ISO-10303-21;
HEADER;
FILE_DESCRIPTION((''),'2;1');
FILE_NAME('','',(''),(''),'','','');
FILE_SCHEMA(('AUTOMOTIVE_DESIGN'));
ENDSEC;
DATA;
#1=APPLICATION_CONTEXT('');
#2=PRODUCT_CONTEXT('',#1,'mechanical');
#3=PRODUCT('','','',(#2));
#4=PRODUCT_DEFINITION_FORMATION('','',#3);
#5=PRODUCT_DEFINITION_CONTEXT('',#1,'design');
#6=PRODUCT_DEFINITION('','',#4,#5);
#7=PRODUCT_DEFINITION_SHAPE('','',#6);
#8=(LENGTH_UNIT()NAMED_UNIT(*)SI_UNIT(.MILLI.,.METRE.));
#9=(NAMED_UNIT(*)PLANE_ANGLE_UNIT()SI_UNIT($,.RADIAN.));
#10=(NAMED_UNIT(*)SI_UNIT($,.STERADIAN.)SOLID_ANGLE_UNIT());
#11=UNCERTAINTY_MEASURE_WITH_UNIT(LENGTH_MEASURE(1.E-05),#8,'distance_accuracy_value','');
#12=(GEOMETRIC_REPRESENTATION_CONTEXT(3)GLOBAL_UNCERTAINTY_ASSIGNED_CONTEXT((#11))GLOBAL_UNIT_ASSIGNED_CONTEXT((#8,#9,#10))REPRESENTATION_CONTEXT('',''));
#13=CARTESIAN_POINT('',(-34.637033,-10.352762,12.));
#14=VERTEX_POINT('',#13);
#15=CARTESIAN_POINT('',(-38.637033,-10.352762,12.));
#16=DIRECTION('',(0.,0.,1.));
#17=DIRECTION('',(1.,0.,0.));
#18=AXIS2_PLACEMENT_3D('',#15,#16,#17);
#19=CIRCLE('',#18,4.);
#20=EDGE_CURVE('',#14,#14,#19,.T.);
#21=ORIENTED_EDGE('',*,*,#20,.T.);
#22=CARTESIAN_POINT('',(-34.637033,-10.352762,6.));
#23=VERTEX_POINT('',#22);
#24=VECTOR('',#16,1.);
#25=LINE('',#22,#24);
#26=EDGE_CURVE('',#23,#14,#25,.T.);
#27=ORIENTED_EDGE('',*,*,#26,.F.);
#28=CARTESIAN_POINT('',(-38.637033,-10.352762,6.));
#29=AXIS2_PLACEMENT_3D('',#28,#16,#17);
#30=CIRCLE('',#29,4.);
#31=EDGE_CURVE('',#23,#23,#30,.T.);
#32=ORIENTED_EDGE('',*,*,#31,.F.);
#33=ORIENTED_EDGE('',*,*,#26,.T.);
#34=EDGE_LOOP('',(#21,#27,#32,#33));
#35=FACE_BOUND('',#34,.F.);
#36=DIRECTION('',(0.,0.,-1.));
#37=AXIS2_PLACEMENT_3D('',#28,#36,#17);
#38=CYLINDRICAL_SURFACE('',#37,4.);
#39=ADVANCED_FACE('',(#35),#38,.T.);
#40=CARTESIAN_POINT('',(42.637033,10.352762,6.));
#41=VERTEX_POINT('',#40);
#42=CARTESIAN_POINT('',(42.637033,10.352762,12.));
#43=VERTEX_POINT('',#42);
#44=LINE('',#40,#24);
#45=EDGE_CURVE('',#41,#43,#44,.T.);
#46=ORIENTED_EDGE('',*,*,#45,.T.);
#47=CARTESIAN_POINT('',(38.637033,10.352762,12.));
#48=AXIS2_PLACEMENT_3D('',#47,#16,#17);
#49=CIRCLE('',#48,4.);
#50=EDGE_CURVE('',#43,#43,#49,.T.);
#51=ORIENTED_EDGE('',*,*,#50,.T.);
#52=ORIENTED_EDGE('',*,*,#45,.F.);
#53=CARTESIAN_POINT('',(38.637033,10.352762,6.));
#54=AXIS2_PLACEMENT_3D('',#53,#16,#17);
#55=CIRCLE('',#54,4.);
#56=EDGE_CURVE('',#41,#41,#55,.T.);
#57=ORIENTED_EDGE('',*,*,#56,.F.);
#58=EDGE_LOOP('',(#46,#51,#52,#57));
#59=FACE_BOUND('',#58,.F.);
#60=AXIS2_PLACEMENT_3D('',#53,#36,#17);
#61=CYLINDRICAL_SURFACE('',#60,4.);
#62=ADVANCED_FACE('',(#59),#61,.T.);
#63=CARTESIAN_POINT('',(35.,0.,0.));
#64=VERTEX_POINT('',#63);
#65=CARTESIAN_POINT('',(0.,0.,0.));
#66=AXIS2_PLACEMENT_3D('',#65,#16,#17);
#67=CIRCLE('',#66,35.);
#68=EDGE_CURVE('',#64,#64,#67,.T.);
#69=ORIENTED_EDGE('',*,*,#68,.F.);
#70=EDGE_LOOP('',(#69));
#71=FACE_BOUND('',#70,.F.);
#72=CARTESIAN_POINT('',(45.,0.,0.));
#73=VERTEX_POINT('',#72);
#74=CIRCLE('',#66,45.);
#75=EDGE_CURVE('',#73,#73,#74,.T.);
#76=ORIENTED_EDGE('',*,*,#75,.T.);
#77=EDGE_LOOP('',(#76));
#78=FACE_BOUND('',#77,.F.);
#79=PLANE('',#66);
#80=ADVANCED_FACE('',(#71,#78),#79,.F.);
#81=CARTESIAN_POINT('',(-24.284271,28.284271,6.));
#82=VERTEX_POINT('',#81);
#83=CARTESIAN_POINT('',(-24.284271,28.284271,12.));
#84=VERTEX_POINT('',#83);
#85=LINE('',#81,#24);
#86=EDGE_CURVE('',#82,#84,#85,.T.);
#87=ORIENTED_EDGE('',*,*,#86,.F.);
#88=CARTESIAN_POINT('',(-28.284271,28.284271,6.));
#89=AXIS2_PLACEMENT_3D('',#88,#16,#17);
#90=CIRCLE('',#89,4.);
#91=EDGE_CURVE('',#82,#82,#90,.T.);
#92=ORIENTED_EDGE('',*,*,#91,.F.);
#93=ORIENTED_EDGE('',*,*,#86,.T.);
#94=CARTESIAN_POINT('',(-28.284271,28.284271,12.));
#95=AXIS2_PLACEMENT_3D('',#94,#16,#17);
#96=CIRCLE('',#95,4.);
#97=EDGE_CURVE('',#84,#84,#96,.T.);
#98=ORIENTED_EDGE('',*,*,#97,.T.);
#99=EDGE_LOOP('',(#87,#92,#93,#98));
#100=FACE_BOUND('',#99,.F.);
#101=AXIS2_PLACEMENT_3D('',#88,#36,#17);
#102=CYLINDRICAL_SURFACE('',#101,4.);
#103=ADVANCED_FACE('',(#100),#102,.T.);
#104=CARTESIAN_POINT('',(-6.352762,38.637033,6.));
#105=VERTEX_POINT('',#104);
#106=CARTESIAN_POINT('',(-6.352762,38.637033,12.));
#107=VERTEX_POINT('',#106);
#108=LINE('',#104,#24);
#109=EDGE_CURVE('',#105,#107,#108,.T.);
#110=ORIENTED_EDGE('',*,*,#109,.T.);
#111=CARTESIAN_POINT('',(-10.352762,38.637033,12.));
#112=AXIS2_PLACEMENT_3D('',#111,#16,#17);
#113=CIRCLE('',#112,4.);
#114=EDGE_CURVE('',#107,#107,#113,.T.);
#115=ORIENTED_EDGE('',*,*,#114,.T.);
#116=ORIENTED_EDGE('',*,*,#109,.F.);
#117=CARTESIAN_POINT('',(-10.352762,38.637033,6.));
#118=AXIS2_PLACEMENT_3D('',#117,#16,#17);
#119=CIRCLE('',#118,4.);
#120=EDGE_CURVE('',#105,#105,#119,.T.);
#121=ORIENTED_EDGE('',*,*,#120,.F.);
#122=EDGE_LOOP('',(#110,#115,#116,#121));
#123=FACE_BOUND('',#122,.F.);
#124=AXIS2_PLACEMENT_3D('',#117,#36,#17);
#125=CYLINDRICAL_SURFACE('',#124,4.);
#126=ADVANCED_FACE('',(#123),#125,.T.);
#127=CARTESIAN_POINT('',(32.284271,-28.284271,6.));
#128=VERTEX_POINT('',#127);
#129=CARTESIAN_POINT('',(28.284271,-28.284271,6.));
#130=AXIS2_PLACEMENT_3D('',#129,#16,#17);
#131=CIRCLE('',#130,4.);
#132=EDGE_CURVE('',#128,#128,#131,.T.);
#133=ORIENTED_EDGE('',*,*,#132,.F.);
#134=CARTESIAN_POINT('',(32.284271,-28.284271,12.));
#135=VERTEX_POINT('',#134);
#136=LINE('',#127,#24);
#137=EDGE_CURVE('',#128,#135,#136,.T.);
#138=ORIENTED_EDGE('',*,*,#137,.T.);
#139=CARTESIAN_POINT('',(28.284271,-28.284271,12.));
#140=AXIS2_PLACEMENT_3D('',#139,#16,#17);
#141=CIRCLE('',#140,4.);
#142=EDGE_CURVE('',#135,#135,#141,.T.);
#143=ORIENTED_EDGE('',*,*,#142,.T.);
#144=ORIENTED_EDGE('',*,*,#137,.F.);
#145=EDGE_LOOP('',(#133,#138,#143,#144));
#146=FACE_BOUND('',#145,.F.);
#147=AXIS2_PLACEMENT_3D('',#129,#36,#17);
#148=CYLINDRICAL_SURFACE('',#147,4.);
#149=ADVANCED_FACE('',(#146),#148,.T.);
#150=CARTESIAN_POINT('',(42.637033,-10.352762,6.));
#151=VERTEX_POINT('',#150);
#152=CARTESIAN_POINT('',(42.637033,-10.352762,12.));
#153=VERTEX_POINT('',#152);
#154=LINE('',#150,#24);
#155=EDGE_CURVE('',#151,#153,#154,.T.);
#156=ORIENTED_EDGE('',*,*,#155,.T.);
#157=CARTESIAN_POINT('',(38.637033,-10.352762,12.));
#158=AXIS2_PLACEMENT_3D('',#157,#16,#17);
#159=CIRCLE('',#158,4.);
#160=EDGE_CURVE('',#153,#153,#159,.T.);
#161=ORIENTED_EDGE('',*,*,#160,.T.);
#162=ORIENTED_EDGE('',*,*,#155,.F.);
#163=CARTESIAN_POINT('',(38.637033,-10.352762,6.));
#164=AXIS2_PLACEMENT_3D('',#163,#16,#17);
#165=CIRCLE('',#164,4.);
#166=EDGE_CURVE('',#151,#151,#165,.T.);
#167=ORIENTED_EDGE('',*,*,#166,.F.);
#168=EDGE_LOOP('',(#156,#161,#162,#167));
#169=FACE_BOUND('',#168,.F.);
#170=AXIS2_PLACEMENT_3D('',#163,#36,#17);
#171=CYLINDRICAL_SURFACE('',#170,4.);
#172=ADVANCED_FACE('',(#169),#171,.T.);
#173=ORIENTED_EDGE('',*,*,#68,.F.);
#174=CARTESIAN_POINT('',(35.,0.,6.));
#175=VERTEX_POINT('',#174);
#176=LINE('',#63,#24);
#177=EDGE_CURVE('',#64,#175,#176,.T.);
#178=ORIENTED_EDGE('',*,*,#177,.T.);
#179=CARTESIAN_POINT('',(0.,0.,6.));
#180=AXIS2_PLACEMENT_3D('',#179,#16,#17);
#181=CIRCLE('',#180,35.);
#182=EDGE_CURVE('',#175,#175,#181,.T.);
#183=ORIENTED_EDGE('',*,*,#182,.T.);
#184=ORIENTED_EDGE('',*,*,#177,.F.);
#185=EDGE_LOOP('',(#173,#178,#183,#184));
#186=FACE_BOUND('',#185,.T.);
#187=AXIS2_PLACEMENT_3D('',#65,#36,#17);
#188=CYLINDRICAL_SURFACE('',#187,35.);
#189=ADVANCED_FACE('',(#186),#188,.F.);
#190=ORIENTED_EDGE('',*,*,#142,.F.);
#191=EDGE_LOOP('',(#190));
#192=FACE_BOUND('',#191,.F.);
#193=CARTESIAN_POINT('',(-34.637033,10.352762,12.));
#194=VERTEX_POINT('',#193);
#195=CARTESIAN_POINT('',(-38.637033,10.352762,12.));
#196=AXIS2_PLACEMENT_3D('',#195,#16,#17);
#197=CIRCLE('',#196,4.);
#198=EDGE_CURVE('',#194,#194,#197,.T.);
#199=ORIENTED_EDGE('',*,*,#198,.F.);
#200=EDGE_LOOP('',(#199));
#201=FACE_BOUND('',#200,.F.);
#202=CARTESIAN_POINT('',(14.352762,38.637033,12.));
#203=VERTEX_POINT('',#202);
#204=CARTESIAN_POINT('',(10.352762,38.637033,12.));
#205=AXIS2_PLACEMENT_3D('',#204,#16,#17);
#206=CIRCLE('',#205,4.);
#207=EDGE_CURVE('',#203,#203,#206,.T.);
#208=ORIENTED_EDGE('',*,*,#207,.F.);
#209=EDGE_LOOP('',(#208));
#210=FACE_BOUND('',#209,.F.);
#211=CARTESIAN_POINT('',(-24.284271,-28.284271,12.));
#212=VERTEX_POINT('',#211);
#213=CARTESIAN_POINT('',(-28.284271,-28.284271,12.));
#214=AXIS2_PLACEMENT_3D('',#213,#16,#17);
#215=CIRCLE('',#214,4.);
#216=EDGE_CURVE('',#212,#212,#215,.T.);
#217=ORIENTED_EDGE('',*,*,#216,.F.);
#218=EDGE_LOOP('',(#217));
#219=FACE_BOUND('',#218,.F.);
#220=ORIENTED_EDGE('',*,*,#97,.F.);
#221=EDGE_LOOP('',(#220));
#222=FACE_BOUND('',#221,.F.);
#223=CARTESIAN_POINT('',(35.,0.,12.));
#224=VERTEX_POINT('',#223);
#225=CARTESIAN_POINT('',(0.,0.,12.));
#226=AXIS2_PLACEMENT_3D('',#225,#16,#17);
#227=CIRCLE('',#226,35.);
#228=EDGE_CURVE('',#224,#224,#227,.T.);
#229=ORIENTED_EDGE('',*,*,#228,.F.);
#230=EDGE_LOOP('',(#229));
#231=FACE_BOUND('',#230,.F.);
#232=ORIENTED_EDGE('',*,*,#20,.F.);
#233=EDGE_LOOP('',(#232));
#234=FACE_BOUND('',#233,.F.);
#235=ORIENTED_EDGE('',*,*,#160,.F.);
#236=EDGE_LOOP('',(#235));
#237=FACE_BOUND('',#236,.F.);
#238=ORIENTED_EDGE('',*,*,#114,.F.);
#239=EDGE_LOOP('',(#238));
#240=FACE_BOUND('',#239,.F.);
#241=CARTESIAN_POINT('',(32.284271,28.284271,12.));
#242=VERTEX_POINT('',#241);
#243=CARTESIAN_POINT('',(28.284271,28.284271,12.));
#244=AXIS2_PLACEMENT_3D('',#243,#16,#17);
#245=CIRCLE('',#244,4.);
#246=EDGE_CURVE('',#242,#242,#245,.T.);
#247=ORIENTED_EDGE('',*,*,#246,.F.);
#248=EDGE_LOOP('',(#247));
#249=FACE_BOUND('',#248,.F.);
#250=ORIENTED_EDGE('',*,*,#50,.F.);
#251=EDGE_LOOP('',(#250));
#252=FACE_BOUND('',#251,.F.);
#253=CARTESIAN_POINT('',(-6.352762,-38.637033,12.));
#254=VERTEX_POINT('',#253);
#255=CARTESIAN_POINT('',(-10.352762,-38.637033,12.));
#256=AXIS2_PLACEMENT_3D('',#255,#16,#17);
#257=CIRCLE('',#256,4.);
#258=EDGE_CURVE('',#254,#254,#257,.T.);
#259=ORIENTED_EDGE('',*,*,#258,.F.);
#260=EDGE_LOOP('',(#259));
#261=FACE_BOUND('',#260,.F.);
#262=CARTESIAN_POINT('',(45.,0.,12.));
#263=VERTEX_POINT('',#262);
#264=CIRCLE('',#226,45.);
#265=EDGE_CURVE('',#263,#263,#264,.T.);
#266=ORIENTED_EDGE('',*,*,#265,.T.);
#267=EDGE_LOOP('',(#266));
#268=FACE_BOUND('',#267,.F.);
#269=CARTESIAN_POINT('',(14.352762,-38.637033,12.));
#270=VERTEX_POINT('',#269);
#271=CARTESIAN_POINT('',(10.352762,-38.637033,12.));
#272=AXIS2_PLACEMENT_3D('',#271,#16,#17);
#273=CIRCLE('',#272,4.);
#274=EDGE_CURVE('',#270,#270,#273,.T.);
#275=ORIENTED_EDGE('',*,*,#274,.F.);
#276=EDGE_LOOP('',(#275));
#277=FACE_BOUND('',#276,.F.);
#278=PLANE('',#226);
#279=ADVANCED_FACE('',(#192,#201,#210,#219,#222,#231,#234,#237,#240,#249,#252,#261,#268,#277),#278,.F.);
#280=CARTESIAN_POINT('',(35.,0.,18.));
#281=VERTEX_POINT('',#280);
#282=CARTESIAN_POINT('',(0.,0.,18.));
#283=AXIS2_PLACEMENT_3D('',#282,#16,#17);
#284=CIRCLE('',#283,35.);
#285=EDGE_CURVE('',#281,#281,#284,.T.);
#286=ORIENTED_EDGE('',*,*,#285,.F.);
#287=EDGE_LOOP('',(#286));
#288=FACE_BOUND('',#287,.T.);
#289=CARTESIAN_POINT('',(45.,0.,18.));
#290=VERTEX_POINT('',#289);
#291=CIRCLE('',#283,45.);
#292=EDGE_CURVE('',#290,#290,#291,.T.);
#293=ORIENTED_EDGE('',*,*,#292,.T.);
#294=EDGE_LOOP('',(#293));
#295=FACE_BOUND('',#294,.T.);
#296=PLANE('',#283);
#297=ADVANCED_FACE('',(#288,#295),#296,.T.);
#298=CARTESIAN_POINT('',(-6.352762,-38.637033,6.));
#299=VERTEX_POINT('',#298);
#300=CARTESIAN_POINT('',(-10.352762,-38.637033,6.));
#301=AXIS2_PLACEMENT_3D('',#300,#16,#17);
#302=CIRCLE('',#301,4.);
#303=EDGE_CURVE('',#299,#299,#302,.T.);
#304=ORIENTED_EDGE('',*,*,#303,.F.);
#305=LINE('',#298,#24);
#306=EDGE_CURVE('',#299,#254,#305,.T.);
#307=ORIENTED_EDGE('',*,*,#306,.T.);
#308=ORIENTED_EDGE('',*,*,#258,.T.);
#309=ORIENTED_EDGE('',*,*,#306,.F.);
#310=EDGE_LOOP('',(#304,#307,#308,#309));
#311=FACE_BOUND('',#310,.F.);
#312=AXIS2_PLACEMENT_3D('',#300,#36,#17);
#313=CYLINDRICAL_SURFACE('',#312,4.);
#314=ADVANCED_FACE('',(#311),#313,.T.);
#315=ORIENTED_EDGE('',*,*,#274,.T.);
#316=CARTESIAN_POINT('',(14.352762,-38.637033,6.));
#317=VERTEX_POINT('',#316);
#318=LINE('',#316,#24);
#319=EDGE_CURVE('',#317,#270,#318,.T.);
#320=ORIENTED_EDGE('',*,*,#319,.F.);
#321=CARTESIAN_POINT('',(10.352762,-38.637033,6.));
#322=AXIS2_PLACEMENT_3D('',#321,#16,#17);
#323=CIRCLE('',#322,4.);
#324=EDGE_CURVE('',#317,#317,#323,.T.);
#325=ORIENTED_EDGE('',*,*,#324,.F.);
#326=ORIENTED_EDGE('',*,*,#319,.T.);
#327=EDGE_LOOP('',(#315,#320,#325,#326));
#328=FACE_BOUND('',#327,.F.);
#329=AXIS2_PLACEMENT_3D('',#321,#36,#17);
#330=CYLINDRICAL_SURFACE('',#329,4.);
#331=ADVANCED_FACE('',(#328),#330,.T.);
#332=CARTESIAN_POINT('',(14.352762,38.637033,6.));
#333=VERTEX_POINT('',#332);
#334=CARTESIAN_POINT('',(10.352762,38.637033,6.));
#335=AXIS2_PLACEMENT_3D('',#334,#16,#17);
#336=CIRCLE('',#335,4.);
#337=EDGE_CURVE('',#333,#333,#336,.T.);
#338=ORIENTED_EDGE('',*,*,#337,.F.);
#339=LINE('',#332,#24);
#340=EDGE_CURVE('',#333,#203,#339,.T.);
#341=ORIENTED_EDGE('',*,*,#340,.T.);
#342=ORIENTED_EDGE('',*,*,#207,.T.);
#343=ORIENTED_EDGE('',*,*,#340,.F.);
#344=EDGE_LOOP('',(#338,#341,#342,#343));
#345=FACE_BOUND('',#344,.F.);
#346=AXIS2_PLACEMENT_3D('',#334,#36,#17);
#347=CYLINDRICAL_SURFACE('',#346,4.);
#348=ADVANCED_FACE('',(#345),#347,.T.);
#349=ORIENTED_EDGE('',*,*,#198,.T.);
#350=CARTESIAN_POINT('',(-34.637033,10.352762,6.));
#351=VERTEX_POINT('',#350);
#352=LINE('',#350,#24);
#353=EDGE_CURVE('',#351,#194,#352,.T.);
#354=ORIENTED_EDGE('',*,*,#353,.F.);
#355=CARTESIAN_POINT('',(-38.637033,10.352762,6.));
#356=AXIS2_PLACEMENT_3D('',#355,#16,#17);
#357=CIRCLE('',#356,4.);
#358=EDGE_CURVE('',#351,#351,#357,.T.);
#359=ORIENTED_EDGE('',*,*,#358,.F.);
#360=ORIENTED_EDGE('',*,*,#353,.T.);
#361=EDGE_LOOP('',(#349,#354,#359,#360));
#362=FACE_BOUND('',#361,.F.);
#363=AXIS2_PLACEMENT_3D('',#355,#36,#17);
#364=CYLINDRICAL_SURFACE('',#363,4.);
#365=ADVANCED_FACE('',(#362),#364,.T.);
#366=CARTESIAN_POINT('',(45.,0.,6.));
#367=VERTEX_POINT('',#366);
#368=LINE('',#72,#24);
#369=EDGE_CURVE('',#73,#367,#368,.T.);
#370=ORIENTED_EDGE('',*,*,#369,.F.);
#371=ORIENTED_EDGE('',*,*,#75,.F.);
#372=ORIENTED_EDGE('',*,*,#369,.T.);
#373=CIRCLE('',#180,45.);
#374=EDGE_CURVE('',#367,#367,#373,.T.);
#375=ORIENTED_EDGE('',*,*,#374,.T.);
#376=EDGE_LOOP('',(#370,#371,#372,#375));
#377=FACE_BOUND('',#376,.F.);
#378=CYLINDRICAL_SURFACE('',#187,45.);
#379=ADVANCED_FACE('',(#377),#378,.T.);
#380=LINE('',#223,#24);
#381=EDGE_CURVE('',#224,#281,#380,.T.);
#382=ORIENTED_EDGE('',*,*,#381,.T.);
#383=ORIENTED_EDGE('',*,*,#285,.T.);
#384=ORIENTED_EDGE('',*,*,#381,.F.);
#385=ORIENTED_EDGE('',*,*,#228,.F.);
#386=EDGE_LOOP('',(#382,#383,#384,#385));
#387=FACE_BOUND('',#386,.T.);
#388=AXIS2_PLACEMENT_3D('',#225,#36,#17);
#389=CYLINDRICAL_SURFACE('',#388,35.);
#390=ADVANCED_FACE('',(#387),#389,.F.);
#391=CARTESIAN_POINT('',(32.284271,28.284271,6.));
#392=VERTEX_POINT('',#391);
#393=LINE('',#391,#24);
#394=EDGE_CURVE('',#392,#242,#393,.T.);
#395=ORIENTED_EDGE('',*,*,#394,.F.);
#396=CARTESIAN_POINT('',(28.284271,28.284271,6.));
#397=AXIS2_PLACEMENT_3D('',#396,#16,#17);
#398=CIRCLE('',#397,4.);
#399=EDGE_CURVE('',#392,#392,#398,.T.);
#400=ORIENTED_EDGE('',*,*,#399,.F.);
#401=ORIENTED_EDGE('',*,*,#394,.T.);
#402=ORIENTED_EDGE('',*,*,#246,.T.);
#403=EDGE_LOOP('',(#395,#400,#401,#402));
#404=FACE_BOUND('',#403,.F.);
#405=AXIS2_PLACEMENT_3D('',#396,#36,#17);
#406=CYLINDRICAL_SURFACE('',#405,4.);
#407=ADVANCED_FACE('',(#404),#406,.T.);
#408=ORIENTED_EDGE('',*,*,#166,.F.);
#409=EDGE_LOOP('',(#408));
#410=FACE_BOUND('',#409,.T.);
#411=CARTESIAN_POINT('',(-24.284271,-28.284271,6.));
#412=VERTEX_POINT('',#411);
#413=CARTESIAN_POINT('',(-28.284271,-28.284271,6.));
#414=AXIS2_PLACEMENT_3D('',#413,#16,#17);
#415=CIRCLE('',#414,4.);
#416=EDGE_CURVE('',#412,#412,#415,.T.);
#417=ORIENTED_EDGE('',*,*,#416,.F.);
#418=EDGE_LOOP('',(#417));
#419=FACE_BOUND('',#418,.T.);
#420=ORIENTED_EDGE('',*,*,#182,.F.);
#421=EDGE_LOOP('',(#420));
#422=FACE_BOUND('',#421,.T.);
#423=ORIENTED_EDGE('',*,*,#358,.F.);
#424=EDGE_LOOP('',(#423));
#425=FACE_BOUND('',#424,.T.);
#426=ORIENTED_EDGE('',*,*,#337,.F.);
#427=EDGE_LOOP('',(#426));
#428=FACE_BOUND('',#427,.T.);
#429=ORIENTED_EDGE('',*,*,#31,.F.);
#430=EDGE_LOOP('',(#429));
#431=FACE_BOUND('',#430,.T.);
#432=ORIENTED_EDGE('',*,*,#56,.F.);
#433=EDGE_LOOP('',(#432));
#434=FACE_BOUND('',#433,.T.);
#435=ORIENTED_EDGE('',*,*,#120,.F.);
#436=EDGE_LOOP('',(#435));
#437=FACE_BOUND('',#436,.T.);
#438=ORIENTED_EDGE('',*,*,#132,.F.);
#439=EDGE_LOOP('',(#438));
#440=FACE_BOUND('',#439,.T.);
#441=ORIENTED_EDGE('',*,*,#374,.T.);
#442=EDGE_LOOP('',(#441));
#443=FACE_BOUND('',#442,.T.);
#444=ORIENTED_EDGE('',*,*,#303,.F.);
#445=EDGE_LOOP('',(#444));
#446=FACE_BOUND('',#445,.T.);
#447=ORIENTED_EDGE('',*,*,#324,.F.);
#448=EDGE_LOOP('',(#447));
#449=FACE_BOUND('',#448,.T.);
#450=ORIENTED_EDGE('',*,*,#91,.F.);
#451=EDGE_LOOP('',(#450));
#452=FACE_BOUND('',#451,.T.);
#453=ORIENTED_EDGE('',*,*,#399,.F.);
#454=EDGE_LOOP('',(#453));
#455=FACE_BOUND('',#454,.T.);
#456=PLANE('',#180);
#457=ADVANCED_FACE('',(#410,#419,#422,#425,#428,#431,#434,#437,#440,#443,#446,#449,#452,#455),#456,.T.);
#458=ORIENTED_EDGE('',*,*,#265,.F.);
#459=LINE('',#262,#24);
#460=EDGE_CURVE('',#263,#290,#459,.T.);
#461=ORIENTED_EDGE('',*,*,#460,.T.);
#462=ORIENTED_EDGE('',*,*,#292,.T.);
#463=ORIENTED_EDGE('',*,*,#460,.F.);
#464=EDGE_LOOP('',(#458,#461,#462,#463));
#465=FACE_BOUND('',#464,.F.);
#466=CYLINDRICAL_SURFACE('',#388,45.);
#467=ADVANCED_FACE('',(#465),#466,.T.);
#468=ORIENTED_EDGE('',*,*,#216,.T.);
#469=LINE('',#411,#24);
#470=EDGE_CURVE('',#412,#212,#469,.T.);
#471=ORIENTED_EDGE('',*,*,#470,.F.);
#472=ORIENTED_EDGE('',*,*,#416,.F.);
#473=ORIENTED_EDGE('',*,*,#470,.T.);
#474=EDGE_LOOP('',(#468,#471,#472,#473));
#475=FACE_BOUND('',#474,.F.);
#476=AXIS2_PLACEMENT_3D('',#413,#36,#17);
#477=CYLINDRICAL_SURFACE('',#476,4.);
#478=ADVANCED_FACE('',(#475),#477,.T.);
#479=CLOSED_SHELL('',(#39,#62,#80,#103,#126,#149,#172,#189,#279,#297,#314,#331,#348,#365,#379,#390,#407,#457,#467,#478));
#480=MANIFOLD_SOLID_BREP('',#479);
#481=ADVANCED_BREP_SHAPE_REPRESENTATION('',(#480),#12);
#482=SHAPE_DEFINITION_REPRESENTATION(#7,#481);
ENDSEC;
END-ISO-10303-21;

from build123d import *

# Parameters (mm, degrees)
SKETCH_R      = 45
SKETCH_R_2    = 35
PAD_DEPTH     = 6
SKETCH002_R   = 4
PAD001_DEPTH  = 6
SKETCH003_R   = 45
SKETCH003_R_2 = 35
PAD002_DEPTH  = 6


with BuildPart() as part:
    # Sketch → Pad (new body)
    with BuildSketch(Plane.XY):
        Circle(SKETCH_R)
        Circle(SKETCH_R_2, mode=Mode.SUBTRACT)
    extrude(amount=PAD_DEPTH)

    # Sketch002 (on Face4 of Pad) → Pad001 (join)
    with BuildSketch(Plane.XY.offset(6)):
        with Locations((10.352762, 38.637033)):
            Circle(SKETCH002_R)
        with Locations((28.284271, 28.284271)):
            Circle(SKETCH002_R)
        with Locations((38.637033, 10.352762)):
            Circle(SKETCH002_R)
        with Locations((38.637033, -10.352762)):
            Circle(SKETCH002_R)
        with Locations((28.284271, -28.284271)):
            Circle(SKETCH002_R)
        with Locations((10.352762, -38.637033)):
            Circle(SKETCH002_R)
        with Locations((-10.352762, -38.637033)):
            Circle(SKETCH002_R)
        with Locations((-28.284271, -28.284271)):
            Circle(SKETCH002_R)
        with Locations((-38.637033, -10.352762)):
            Circle(SKETCH002_R)
        with Locations((-38.637033, 10.352762)):
            Circle(SKETCH002_R)
        with Locations((-28.284271, 28.284271)):
            Circle(SKETCH002_R)
        with Locations((-10.352762, 38.637033)):
            Circle(SKETCH002_R)
    extrude(amount=PAD001_DEPTH)

    # Sketch003 (on Face19 of Pad001) → Pad002 (join)
    with BuildSketch(Plane.XY.offset(12)):
        Circle(SKETCH003_R)
        Circle(SKETCH003_R_2, mode=Mode.SUBTRACT)
    extrude(amount=PAD002_DEPTH)


solid = part.part
